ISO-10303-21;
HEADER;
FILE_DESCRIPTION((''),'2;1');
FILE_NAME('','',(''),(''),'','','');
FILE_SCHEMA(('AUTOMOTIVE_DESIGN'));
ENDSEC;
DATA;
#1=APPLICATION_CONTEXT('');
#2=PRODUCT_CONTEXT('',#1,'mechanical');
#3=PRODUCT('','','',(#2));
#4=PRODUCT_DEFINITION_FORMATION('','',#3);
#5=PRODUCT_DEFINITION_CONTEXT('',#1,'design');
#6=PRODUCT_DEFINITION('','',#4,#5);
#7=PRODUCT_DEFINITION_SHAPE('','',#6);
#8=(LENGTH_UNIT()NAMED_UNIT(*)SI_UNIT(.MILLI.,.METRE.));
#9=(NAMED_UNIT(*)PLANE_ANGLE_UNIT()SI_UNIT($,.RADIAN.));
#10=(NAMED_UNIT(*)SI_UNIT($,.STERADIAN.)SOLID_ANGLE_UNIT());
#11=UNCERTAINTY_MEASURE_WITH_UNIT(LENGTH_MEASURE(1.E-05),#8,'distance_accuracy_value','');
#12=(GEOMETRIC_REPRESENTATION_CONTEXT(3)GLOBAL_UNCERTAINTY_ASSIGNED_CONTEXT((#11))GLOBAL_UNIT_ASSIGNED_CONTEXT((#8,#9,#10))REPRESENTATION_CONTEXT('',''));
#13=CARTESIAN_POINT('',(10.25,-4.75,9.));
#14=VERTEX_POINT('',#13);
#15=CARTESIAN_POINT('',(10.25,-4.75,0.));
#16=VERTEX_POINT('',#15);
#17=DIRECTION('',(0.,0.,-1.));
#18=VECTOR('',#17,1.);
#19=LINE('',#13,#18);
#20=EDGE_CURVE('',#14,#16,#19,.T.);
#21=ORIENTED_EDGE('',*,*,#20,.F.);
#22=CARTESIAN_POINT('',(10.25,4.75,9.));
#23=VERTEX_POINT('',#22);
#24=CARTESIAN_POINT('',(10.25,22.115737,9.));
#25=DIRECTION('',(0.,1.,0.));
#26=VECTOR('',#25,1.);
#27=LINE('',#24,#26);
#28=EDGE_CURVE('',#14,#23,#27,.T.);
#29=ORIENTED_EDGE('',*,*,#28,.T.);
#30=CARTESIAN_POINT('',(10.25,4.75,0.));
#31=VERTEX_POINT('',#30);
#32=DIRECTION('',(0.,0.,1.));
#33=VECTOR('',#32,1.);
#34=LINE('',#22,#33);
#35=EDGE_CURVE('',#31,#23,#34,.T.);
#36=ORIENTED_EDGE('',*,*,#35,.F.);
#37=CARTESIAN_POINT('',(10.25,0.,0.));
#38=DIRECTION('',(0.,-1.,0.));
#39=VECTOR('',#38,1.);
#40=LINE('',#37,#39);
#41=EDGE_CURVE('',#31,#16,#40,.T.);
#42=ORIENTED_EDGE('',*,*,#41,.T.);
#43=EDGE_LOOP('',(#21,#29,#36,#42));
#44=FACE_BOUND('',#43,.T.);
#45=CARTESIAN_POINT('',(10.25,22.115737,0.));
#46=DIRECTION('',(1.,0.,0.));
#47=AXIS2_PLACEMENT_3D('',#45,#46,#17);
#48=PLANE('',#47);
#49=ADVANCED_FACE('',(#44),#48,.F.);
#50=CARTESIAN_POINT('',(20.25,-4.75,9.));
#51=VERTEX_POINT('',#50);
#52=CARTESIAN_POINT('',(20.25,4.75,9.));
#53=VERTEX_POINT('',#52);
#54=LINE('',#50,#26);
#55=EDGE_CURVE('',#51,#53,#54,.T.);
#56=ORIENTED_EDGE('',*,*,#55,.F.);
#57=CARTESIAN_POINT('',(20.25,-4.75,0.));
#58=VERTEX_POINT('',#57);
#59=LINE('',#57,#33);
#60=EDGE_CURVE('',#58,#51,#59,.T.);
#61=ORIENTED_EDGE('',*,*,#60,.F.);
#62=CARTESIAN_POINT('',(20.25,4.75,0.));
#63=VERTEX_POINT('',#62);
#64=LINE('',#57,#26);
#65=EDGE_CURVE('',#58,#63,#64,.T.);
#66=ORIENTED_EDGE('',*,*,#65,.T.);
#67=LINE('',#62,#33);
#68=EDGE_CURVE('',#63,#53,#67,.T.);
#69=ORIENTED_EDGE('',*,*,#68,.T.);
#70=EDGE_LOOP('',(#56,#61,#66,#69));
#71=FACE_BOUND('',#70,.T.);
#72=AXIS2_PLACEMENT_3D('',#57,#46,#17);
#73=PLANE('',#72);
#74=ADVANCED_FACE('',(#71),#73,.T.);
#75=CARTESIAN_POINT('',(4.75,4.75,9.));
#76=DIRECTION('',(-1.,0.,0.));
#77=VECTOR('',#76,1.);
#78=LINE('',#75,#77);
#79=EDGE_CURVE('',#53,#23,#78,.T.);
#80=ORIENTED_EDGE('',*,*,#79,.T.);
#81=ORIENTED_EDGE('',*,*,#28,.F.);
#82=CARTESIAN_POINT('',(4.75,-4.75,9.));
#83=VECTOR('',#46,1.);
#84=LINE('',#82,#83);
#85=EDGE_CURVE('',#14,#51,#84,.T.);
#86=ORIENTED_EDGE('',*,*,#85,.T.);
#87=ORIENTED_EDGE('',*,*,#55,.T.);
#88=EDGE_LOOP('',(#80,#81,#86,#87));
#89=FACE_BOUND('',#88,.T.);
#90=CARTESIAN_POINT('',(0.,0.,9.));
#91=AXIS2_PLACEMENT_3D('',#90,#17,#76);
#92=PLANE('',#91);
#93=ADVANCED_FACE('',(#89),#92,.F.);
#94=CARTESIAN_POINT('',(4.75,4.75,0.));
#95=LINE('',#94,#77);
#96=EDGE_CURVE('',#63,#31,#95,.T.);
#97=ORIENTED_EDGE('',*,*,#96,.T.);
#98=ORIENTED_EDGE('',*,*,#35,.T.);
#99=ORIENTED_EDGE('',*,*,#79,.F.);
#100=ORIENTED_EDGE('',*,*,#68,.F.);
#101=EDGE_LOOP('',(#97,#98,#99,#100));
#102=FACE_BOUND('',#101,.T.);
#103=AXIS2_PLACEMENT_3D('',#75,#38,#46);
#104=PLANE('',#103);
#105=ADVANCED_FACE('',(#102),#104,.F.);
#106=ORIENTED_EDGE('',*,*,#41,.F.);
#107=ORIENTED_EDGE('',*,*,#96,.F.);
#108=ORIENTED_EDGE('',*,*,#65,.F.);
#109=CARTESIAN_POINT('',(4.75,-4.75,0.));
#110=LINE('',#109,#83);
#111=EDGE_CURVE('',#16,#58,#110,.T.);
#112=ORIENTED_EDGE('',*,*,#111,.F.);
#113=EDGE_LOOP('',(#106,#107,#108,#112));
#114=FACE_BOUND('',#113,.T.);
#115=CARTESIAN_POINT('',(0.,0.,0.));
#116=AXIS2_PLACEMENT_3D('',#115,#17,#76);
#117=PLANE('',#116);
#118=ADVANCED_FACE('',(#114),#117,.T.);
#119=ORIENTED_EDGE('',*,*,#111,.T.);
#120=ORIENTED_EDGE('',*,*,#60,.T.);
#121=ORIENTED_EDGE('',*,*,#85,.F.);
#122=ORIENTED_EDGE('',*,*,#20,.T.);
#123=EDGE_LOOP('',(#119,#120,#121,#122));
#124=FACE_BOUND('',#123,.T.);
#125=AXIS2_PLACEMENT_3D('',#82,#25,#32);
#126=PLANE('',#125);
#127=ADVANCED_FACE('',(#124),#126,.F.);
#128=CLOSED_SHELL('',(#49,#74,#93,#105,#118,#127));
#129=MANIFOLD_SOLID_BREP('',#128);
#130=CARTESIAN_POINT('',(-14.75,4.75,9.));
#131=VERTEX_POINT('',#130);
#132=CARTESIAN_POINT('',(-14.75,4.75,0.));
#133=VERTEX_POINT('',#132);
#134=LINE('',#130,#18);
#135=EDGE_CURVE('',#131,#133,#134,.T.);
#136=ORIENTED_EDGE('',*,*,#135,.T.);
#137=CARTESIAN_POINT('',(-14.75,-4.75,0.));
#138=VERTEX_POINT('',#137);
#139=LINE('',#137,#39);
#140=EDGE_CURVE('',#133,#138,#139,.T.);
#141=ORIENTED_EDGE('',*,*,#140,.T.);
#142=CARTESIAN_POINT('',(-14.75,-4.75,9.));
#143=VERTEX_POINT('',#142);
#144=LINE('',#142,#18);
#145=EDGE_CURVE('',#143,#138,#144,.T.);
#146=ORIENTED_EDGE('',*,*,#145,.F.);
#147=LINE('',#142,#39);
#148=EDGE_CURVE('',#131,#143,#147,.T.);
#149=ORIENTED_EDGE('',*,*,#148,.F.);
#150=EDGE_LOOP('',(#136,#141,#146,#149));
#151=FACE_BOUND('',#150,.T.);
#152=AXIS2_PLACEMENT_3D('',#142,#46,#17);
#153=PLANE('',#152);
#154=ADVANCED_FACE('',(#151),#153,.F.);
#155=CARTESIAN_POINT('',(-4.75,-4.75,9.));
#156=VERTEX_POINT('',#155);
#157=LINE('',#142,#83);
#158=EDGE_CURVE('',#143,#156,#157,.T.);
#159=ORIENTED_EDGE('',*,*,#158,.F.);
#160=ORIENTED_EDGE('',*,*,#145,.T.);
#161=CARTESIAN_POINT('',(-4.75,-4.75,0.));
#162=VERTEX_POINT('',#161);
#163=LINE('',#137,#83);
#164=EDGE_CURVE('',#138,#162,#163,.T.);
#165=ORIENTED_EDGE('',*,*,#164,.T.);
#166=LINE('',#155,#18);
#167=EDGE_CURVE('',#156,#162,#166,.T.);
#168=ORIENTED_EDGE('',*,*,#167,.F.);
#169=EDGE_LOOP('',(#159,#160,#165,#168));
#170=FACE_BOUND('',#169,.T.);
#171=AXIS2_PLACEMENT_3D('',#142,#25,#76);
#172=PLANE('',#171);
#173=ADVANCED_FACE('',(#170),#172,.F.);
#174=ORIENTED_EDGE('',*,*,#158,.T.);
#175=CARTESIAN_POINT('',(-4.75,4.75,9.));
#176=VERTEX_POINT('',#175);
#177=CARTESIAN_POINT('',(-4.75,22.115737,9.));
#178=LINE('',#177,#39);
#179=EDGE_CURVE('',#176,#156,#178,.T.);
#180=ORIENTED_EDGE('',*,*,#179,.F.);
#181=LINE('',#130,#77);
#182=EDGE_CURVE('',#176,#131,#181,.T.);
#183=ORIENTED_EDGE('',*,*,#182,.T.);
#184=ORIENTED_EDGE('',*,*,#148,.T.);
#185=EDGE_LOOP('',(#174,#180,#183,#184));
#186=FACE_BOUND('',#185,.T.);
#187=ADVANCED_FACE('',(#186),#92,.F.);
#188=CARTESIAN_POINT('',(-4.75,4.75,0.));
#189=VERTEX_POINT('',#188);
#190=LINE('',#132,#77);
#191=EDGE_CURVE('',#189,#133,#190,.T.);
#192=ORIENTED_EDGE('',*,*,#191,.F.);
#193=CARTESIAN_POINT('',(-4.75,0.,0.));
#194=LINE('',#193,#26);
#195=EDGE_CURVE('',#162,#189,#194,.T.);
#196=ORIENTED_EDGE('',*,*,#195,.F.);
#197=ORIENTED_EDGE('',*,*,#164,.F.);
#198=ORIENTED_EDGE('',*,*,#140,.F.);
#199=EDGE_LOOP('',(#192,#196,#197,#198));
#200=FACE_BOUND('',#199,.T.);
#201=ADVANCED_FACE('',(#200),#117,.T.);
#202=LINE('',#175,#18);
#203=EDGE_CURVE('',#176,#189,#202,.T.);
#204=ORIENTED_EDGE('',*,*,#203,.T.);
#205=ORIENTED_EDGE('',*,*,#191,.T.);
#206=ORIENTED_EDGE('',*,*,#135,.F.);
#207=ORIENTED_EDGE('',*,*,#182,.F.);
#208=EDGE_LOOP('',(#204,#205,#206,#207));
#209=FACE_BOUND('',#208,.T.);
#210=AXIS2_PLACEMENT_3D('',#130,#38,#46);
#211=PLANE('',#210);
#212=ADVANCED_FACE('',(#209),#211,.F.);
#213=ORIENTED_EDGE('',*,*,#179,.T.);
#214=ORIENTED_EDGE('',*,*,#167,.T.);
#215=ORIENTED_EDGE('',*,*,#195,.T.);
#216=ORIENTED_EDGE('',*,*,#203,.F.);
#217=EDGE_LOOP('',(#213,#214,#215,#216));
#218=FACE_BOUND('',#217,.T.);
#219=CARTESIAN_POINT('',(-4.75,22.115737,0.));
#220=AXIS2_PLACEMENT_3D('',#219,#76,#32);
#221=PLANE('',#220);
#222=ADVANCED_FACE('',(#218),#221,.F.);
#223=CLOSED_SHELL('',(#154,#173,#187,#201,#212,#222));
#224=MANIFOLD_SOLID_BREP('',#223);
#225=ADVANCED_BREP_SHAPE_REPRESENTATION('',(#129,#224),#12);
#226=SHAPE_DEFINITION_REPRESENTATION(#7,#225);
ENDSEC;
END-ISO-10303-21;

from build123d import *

# Parameters (mm, degrees)
BOSS_EXTRUDE2_DEPTH = 9
SKETCH2_W           = 10
SKETCH2_H           = 9.5
BOSS_EXTRUDE3_DEPTH = 9
SKETCH3_W           = 15
SKETCH3_H           = 36.865736843
CUT_EXTRUDE2_DEPTH  = 9


with BuildPart() as part:
    # Sketch1 → Boss-Extrude2 (new body)
    with BuildSketch(Plane.XY):
        Polygon((-4.75, -14.75), (4.75, -14.75), (4.75, -4.75), (14.75, -4.75), (14.75, 4.75), (4.75, 4.75), (4.75, 14.75), (-4.75, 14.75), (-4.75, 4.75), (-14.75, 4.75), (-14.75, -4.75), (-4.75, -4.75), align=None)
    extrude(amount=BOSS_EXTRUDE2_DEPTH)

    # Sketch2 → Boss-Extrude3 (add)
    with BuildSketch(Plane.XY.offset(9)):
        with Locations((15.25, 0)):
            Rectangle(SKETCH2_W, SKETCH2_H)
    extrude(amount=-BOSS_EXTRUDE3_DEPTH)

    # Sketch3 → Cut-Extrude2 (cut)
    with BuildSketch(Plane.XY.offset(9)):
        with Locations((2.75, 3.682868421)):
            Rectangle(SKETCH3_W, SKETCH3_H)
    extrude(amount=-CUT_EXTRUDE2_DEPTH, mode=Mode.SUBTRACT)


with BuildPart() as cut_extrude2_piece_1:
    # of the separate pieces the step leaves, piece 1, a body of its own (cut_extrude2_pieces)
    add(part.part.solids().sort_by_distance((-14.75, -4.75, 0))[0])


with BuildPart() as cut_extrude2_piece_2:
    # of the separate pieces the step leaves, piece 2, a body of its own (cut_extrude2_pieces)
    add(part.part.solids().sort_by_distance((10.25, -4.75, 0))[0])


solid = Compound([cut_extrude2_piece_1.part, cut_extrude2_piece_2.part])
